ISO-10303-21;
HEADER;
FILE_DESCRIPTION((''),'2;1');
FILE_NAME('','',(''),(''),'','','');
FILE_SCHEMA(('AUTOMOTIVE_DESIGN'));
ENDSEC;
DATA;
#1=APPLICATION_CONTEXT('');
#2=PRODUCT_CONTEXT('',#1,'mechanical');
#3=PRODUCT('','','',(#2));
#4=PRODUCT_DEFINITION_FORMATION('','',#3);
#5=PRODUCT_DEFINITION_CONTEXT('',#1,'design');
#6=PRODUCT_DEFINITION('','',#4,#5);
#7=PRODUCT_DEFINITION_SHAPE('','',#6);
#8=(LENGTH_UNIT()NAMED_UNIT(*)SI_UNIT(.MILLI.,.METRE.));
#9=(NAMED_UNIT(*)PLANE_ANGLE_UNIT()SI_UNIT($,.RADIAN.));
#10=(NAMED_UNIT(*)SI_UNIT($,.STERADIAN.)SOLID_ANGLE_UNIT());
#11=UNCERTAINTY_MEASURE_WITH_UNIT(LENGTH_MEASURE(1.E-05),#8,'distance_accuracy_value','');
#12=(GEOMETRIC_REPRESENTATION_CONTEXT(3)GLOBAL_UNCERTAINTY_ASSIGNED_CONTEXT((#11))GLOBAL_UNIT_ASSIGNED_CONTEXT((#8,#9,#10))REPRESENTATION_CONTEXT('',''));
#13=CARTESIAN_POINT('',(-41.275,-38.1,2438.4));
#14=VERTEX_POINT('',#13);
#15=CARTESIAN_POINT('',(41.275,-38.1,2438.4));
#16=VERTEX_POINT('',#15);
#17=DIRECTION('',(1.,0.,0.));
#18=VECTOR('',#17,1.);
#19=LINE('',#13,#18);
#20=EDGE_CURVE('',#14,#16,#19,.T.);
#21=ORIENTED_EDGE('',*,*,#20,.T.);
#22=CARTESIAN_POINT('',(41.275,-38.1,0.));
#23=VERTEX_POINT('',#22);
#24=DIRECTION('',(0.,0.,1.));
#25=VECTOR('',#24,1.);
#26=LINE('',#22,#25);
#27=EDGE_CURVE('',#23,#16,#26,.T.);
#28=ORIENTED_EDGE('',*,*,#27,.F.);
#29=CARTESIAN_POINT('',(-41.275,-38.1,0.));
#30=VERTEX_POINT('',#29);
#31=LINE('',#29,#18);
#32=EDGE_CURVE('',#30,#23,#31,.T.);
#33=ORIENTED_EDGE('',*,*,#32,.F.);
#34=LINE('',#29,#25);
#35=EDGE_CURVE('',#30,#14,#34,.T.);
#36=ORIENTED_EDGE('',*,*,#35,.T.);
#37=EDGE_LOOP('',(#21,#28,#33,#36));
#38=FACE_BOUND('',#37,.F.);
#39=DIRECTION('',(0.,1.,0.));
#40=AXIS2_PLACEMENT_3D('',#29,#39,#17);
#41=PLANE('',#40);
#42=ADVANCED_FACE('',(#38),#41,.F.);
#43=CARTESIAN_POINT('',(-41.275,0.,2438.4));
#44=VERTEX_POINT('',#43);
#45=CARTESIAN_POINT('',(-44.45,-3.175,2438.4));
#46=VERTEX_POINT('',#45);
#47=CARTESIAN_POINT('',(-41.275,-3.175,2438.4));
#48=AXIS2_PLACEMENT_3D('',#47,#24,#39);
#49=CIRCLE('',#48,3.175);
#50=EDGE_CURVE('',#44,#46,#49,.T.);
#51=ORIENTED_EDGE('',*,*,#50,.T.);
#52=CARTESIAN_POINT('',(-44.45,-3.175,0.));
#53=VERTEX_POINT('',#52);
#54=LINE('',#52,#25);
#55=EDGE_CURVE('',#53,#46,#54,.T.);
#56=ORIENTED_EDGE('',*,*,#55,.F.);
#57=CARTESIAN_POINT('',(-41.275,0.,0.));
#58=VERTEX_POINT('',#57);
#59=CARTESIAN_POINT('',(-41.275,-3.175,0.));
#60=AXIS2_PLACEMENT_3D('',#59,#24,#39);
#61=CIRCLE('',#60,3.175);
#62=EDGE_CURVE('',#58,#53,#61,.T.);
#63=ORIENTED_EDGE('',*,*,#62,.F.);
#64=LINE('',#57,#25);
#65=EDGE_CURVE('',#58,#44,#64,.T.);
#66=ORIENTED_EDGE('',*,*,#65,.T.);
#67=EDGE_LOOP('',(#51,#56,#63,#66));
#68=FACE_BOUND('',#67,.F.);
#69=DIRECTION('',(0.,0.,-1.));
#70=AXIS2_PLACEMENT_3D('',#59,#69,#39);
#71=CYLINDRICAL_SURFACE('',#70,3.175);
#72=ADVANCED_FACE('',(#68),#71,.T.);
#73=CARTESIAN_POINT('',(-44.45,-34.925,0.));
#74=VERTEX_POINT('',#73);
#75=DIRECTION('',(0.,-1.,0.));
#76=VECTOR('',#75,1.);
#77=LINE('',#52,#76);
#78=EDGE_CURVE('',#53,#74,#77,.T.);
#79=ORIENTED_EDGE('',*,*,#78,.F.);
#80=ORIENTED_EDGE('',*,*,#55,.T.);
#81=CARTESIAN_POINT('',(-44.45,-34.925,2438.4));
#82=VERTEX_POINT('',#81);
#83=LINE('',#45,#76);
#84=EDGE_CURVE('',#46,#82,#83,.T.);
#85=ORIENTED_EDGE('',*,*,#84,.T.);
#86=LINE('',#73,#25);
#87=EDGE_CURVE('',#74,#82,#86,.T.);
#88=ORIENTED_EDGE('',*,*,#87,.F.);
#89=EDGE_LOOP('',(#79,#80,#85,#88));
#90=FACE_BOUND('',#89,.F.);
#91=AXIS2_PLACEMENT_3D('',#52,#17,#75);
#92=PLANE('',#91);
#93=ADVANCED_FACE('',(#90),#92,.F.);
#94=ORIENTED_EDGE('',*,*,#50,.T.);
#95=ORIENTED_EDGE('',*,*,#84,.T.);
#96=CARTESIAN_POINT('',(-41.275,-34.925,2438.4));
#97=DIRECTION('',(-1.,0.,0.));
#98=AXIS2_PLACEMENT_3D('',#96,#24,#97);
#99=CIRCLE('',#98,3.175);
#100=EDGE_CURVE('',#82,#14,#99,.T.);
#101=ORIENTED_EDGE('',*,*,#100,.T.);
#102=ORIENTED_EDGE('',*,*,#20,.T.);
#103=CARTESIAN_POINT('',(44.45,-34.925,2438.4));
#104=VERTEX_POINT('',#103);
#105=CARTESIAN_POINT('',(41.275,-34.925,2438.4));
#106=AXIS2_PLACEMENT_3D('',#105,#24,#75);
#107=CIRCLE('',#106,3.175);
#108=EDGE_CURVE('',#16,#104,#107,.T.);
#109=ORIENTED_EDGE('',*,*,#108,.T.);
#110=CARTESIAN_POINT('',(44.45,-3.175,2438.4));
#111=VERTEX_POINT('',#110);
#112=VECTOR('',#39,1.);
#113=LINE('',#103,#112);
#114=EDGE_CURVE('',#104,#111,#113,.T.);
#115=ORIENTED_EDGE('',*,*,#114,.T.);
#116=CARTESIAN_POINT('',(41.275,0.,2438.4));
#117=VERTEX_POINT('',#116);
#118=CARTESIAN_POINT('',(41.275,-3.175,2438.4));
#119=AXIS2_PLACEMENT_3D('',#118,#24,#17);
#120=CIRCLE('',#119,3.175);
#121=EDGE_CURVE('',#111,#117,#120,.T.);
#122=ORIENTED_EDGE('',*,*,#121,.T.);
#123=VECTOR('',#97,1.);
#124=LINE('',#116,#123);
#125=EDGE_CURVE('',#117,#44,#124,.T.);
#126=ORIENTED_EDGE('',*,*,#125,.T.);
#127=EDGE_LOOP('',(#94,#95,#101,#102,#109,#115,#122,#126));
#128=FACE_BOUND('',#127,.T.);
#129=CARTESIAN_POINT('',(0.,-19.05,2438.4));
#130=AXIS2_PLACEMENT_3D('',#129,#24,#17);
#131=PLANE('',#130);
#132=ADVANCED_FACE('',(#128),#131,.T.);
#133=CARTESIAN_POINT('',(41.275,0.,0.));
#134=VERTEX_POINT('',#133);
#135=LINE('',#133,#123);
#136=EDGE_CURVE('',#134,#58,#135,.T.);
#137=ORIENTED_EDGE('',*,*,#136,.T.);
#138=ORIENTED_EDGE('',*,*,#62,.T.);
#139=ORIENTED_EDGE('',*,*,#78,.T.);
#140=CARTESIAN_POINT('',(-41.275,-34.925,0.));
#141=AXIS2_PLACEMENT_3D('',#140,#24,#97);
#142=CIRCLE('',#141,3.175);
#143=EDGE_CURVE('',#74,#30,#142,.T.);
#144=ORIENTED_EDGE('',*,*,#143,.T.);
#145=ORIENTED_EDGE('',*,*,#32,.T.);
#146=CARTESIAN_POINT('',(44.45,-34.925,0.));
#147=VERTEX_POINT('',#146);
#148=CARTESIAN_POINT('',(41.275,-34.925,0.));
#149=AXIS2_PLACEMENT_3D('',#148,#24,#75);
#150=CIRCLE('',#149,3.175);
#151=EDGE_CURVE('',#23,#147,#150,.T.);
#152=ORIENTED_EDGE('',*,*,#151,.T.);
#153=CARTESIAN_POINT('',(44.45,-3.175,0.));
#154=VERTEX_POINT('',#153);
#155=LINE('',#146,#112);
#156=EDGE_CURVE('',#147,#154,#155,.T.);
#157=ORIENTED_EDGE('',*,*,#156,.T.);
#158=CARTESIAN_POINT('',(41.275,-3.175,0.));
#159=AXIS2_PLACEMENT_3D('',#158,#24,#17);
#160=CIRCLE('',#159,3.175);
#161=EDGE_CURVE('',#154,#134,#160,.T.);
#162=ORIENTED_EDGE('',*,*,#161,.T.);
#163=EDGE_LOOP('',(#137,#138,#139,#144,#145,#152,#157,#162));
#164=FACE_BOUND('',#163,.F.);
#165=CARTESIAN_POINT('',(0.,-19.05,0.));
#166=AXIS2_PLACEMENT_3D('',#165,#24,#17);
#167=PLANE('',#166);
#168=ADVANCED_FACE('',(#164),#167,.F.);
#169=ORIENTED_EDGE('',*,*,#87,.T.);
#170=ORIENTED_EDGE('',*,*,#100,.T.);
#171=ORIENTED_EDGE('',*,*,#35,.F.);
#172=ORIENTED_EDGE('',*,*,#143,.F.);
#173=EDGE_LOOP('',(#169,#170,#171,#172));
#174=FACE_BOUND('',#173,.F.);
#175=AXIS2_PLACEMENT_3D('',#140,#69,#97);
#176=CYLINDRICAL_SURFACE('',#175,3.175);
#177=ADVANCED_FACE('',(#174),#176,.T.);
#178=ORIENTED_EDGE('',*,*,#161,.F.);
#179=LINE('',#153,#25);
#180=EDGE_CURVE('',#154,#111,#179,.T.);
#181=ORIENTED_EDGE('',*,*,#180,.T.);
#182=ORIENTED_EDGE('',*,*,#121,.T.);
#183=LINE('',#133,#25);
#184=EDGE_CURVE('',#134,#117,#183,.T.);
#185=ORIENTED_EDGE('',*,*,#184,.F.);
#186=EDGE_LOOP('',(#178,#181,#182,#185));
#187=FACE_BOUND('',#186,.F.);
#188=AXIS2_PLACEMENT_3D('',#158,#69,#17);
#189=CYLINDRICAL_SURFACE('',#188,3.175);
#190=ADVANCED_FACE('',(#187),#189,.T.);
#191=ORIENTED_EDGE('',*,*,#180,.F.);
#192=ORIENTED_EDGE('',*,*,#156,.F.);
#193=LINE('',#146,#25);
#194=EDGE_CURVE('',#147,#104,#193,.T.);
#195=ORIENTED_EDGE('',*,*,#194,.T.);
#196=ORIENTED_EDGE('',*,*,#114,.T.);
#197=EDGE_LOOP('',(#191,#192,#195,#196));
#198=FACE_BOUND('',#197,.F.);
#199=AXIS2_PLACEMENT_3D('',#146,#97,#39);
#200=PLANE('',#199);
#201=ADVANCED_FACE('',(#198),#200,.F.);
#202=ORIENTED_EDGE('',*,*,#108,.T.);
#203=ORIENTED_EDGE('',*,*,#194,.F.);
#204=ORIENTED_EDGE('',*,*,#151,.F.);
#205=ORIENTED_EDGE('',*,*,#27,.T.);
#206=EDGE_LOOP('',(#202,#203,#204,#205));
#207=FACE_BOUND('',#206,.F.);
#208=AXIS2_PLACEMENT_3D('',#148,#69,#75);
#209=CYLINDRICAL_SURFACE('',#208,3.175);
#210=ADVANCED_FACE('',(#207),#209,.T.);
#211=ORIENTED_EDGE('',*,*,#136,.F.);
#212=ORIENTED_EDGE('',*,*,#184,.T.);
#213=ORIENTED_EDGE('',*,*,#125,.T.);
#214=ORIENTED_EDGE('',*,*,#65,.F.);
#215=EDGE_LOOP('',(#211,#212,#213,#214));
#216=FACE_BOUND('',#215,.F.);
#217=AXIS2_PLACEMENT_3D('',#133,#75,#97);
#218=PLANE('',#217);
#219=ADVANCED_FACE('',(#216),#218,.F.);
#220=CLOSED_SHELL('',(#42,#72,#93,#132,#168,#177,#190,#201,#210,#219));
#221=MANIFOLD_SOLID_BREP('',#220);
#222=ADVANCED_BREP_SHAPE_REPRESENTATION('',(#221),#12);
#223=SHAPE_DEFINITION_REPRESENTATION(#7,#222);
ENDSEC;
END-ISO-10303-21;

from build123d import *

# Parameters (mm, degrees)
F1_DEPTH = 2438.4


with BuildPart() as f1:
    # F0 (on Top) → F1 (new body)
    with BuildSketch(Plane.XY):
        with BuildLine():
            Line((-61.6295757718, 13.413597323), (-144.1795757718, 13.413597323))
            ThreePointArc((-144.1795757718, 13.413597323), (-146.4246398021, 12.4836613533), (-147.3545757718, 10.238597323))
            Line((-147.3545757718, 10.238597323), (-147.3545757718, -21.511402677))
            ThreePointArc((-147.3545757718, -21.511402677), (-146.4246398021, -23.7564667073), (-144.1795757718, -24.686402677))
            Line((-144.1795757718, -24.686402677), (-61.6295757718, -24.686402677))
            ThreePointArc((-61.6295757718, -24.686402677), (-59.3845117415, -23.7564667073), (-58.4545757718, -21.511402677))
            Line((-58.4545757718, -21.511402677), (-58.4545757718, 10.238597323))
            ThreePointArc((-58.4545757718, 10.238597323), (-59.3845117415, 12.4836613533), (-61.6295757718, 13.413597323))
        make_face()
    extrude(amount=F1_DEPTH)


with BuildPart() as f1_1:
    # F3: moved
    add(f1.part.moved(Location((102.9045757718, -13.413597323, 0))))


solid = f1_1.part
